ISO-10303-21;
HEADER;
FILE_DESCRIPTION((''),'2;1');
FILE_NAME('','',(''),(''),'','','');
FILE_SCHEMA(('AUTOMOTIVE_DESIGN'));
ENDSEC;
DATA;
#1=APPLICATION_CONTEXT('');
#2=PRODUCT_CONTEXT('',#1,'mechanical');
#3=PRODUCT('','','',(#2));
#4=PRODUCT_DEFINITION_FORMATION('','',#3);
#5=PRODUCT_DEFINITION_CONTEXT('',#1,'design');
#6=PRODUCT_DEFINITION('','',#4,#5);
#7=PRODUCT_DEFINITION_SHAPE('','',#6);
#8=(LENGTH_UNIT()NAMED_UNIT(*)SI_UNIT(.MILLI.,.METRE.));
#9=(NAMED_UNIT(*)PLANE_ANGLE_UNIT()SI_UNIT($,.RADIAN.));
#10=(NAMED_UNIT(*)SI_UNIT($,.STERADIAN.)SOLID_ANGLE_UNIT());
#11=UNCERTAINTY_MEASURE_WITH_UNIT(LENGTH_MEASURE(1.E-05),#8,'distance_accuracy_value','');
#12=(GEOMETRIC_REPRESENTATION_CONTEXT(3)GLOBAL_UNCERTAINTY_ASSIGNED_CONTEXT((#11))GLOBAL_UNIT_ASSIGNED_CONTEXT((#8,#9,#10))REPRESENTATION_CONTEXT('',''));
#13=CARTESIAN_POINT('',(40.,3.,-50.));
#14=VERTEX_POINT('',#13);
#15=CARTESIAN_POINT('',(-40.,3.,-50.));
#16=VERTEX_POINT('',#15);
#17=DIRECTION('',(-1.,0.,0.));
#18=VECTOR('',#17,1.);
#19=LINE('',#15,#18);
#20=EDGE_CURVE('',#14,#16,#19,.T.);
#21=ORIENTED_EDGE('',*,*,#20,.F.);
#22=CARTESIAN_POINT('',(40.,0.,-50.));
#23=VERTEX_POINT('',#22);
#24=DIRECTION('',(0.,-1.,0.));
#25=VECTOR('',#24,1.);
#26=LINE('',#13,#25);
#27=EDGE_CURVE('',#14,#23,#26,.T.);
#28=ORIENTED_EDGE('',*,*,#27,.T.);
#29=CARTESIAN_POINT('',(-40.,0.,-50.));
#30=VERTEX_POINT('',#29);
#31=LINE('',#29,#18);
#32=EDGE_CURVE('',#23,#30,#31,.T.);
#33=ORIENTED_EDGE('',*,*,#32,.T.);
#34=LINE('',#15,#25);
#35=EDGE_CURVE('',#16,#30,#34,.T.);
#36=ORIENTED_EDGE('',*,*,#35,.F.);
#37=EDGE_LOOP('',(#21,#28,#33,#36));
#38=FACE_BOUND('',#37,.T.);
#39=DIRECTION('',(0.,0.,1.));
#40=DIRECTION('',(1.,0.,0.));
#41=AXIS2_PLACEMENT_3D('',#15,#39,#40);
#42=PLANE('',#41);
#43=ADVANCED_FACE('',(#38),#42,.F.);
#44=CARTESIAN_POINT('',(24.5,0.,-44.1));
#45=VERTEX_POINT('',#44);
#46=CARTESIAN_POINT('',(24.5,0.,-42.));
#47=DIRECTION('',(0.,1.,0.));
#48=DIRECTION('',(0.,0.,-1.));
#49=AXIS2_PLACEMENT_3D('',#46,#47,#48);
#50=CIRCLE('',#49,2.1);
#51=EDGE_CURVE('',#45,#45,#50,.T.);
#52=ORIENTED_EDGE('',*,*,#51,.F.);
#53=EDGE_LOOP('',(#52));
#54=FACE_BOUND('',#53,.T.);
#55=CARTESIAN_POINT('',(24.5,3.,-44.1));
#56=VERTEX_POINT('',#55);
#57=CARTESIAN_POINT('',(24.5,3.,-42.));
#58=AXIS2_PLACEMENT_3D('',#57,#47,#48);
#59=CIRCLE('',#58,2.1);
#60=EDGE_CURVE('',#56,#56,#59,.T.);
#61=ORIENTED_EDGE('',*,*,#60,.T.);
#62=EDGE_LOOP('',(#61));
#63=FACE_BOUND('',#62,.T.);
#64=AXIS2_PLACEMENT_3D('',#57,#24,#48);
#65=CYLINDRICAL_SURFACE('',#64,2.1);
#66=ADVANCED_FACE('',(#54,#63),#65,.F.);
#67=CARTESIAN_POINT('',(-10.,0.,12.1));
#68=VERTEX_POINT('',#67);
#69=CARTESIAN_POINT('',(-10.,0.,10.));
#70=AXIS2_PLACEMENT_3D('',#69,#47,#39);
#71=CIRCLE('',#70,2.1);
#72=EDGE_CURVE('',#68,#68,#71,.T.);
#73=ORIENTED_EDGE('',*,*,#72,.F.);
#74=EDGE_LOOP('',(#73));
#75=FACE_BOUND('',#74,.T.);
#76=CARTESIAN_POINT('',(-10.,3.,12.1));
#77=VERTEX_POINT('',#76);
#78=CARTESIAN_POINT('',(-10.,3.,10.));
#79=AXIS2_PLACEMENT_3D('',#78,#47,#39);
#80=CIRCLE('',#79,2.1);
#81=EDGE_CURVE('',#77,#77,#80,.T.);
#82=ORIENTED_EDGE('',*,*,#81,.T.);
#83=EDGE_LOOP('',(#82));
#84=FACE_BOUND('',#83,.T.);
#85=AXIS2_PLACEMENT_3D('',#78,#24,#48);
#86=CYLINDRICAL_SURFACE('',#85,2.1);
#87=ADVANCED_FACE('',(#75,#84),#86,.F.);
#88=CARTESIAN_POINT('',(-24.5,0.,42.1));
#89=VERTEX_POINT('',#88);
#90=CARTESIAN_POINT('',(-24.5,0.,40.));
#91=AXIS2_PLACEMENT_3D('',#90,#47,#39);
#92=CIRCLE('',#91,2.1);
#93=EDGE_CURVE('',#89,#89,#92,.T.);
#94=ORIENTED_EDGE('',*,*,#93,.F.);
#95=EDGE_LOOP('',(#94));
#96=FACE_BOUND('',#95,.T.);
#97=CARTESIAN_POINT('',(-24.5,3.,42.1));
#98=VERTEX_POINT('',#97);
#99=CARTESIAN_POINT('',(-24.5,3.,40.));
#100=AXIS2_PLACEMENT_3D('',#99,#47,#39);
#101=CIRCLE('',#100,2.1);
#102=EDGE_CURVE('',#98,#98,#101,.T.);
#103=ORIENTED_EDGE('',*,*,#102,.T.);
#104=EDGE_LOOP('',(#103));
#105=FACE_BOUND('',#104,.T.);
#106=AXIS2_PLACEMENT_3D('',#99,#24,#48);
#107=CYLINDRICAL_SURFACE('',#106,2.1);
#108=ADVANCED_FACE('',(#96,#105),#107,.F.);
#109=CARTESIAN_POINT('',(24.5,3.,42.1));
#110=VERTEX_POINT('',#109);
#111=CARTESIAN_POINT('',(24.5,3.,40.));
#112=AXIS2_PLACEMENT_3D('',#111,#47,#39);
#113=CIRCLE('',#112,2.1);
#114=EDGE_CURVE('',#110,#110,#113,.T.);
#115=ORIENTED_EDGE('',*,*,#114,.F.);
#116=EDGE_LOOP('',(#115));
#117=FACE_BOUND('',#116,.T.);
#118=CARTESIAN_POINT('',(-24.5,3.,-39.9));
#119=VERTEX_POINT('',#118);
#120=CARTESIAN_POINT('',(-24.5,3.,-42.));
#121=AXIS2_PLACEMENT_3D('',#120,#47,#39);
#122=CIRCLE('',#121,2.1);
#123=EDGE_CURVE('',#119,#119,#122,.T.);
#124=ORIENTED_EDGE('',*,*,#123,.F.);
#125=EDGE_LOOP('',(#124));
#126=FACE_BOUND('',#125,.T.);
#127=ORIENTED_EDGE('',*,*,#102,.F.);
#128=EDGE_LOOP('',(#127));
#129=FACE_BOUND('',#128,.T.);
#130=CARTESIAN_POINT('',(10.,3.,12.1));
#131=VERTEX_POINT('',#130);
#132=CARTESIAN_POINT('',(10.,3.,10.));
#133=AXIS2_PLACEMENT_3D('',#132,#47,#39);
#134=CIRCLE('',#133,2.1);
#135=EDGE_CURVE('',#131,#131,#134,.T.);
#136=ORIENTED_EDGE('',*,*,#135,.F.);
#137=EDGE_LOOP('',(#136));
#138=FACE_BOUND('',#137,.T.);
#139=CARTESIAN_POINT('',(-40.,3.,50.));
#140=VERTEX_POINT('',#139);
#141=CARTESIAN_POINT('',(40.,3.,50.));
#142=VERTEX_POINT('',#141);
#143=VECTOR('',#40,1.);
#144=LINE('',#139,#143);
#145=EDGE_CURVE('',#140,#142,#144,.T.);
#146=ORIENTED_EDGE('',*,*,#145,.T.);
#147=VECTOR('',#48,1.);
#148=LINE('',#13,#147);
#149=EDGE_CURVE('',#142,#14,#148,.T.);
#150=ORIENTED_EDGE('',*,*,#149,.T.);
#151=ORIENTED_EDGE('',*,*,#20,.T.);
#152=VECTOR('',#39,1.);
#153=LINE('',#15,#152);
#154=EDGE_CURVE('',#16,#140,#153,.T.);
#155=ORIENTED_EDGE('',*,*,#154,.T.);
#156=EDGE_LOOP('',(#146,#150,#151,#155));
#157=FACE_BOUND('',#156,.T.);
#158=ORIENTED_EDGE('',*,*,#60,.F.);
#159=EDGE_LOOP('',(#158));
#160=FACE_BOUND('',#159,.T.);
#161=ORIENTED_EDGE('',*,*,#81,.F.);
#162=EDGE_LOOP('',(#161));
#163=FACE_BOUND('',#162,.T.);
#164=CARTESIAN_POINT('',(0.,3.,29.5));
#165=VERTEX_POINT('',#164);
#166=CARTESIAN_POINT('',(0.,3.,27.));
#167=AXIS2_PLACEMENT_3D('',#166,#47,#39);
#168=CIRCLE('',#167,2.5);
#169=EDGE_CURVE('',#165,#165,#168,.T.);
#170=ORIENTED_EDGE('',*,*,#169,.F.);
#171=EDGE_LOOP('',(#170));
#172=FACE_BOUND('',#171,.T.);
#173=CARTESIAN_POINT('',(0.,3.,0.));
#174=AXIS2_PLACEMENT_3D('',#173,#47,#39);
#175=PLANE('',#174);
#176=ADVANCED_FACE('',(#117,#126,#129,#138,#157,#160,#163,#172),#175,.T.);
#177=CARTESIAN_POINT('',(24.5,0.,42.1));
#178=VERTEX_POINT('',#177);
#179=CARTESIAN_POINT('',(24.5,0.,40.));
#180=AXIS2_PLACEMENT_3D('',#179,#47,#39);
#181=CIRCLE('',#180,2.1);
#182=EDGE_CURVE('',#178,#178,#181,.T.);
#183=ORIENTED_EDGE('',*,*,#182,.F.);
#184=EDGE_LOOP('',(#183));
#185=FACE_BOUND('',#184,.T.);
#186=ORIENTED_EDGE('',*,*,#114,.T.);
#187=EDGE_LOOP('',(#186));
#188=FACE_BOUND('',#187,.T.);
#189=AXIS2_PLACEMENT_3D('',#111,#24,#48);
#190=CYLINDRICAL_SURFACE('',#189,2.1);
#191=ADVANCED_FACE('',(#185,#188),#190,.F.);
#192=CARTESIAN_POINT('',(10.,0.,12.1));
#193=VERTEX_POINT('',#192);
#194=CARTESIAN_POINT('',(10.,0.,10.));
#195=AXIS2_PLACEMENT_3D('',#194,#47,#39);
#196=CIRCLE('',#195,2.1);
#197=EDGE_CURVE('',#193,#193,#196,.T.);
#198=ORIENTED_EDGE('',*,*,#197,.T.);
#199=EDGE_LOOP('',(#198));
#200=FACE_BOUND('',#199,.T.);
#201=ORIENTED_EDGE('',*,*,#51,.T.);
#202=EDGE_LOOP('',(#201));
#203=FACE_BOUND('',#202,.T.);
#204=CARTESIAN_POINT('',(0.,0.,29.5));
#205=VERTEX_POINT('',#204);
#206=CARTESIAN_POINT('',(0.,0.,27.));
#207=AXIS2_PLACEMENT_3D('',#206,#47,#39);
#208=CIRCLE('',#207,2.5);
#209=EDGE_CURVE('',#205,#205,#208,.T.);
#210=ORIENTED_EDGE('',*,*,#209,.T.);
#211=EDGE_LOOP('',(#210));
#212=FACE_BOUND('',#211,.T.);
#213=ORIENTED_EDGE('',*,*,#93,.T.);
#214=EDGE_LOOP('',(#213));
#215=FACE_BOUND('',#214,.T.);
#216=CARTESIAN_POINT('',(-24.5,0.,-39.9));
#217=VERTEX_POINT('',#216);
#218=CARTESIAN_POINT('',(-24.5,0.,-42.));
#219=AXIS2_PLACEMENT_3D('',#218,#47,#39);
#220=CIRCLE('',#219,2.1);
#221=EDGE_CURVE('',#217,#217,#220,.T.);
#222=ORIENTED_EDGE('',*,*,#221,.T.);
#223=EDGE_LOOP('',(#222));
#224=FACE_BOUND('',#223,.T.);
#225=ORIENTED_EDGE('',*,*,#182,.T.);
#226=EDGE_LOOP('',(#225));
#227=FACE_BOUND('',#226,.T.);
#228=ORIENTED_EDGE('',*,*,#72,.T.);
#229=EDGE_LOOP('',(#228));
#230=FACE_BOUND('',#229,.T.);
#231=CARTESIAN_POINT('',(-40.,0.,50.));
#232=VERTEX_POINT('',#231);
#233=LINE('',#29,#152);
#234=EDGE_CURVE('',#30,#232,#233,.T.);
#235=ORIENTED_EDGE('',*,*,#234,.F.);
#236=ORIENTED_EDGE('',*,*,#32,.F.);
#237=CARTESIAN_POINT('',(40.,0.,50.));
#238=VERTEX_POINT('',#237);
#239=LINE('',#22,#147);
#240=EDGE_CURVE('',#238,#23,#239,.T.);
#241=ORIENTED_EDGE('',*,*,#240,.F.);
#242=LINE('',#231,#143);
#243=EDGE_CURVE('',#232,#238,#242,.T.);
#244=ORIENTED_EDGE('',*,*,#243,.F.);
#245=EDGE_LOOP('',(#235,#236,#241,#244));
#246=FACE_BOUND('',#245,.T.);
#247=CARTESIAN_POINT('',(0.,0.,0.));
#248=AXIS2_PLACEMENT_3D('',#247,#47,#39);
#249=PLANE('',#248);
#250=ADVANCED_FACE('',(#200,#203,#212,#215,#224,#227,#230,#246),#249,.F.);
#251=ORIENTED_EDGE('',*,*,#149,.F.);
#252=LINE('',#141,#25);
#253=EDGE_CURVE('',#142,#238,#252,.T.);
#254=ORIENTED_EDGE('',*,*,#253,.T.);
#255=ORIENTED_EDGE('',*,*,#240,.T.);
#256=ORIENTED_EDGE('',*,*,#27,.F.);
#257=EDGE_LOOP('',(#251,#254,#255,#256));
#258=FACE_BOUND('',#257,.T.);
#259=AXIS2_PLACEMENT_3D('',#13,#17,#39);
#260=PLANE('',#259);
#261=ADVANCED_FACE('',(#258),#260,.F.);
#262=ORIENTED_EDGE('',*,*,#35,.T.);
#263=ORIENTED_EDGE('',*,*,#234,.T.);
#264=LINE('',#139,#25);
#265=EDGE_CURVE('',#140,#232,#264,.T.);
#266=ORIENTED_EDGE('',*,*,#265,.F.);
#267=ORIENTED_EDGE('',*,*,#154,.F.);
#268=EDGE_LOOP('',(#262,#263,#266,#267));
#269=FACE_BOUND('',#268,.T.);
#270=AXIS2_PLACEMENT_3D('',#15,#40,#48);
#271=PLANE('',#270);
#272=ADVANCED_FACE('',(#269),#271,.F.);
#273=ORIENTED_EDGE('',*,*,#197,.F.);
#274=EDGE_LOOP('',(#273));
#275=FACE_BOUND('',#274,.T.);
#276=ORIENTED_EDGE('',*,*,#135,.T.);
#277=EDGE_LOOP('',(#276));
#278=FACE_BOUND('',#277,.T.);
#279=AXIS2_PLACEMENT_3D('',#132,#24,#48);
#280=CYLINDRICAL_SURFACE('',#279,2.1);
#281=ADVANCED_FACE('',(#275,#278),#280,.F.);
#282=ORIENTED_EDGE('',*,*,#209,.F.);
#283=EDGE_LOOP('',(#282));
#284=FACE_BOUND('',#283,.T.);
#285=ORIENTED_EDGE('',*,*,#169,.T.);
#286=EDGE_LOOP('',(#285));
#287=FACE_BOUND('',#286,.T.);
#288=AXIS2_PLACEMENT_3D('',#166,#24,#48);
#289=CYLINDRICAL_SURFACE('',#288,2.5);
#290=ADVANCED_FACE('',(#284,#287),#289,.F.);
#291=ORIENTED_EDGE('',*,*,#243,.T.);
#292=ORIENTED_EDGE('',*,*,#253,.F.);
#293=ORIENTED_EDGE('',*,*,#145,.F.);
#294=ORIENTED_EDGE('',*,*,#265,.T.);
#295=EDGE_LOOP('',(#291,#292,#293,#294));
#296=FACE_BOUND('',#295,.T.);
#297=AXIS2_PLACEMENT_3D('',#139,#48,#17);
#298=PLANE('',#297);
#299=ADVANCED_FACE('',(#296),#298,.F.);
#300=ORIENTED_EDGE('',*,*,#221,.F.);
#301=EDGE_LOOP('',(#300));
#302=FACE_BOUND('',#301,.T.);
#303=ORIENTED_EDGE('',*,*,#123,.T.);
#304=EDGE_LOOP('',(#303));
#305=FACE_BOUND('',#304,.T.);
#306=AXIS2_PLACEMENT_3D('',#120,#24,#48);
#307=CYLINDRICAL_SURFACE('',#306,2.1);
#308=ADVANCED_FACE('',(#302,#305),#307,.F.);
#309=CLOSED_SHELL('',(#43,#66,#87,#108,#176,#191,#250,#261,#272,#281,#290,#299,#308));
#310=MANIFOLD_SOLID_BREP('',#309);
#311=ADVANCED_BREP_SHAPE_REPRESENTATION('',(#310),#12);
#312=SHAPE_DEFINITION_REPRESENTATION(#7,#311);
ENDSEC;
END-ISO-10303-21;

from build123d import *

# Parameters (mm, degrees)
SKETCH1_W           = 80
SKETCH1_H           = 100
SKETCH1_R           = 2.1
SKETCH1_R_2         = 2.5
BOSS_EXTRUDE1_DEPTH = 3


with BuildPart() as part:
    # Sketch1 → Boss-Extrude1 (new body)
    with BuildSketch(Plane(origin=(0, 0, 0), x_dir=(1, 0, 0), z_dir=(0, 1, 0))):
        Rectangle(SKETCH1_W, SKETCH1_H)
        with Locations(Location((24.5, 42, 0), (0, 0, 90))):
            Circle(SKETCH1_R, mode=Mode.SUBTRACT)
        with Locations(Location((-24.5, 42, 0), (0, 0, 270))):
            Circle(SKETCH1_R, mode=Mode.SUBTRACT)
        with Locations(Location((24.5, -40, 0), (0, 0, 270))):
            Circle(SKETCH1_R, mode=Mode.SUBTRACT)
        with Locations(Location((-24.5, -40, 0), (0, 0, 270))):
            Circle(SKETCH1_R, mode=Mode.SUBTRACT)
        with Locations(Location((10, -10, 0), (0, 0, 270))):
            Circle(SKETCH1_R, mode=Mode.SUBTRACT)
        with Locations(Location((-10, -10, 0), (0, 0, 270))):
            Circle(SKETCH1_R, mode=Mode.SUBTRACT)
        with Locations(Location((0, -27, 0), (0, 0, 270))):
            Circle(SKETCH1_R_2, mode=Mode.SUBTRACT)
    extrude(amount=BOSS_EXTRUDE1_DEPTH)


solid = part.part
